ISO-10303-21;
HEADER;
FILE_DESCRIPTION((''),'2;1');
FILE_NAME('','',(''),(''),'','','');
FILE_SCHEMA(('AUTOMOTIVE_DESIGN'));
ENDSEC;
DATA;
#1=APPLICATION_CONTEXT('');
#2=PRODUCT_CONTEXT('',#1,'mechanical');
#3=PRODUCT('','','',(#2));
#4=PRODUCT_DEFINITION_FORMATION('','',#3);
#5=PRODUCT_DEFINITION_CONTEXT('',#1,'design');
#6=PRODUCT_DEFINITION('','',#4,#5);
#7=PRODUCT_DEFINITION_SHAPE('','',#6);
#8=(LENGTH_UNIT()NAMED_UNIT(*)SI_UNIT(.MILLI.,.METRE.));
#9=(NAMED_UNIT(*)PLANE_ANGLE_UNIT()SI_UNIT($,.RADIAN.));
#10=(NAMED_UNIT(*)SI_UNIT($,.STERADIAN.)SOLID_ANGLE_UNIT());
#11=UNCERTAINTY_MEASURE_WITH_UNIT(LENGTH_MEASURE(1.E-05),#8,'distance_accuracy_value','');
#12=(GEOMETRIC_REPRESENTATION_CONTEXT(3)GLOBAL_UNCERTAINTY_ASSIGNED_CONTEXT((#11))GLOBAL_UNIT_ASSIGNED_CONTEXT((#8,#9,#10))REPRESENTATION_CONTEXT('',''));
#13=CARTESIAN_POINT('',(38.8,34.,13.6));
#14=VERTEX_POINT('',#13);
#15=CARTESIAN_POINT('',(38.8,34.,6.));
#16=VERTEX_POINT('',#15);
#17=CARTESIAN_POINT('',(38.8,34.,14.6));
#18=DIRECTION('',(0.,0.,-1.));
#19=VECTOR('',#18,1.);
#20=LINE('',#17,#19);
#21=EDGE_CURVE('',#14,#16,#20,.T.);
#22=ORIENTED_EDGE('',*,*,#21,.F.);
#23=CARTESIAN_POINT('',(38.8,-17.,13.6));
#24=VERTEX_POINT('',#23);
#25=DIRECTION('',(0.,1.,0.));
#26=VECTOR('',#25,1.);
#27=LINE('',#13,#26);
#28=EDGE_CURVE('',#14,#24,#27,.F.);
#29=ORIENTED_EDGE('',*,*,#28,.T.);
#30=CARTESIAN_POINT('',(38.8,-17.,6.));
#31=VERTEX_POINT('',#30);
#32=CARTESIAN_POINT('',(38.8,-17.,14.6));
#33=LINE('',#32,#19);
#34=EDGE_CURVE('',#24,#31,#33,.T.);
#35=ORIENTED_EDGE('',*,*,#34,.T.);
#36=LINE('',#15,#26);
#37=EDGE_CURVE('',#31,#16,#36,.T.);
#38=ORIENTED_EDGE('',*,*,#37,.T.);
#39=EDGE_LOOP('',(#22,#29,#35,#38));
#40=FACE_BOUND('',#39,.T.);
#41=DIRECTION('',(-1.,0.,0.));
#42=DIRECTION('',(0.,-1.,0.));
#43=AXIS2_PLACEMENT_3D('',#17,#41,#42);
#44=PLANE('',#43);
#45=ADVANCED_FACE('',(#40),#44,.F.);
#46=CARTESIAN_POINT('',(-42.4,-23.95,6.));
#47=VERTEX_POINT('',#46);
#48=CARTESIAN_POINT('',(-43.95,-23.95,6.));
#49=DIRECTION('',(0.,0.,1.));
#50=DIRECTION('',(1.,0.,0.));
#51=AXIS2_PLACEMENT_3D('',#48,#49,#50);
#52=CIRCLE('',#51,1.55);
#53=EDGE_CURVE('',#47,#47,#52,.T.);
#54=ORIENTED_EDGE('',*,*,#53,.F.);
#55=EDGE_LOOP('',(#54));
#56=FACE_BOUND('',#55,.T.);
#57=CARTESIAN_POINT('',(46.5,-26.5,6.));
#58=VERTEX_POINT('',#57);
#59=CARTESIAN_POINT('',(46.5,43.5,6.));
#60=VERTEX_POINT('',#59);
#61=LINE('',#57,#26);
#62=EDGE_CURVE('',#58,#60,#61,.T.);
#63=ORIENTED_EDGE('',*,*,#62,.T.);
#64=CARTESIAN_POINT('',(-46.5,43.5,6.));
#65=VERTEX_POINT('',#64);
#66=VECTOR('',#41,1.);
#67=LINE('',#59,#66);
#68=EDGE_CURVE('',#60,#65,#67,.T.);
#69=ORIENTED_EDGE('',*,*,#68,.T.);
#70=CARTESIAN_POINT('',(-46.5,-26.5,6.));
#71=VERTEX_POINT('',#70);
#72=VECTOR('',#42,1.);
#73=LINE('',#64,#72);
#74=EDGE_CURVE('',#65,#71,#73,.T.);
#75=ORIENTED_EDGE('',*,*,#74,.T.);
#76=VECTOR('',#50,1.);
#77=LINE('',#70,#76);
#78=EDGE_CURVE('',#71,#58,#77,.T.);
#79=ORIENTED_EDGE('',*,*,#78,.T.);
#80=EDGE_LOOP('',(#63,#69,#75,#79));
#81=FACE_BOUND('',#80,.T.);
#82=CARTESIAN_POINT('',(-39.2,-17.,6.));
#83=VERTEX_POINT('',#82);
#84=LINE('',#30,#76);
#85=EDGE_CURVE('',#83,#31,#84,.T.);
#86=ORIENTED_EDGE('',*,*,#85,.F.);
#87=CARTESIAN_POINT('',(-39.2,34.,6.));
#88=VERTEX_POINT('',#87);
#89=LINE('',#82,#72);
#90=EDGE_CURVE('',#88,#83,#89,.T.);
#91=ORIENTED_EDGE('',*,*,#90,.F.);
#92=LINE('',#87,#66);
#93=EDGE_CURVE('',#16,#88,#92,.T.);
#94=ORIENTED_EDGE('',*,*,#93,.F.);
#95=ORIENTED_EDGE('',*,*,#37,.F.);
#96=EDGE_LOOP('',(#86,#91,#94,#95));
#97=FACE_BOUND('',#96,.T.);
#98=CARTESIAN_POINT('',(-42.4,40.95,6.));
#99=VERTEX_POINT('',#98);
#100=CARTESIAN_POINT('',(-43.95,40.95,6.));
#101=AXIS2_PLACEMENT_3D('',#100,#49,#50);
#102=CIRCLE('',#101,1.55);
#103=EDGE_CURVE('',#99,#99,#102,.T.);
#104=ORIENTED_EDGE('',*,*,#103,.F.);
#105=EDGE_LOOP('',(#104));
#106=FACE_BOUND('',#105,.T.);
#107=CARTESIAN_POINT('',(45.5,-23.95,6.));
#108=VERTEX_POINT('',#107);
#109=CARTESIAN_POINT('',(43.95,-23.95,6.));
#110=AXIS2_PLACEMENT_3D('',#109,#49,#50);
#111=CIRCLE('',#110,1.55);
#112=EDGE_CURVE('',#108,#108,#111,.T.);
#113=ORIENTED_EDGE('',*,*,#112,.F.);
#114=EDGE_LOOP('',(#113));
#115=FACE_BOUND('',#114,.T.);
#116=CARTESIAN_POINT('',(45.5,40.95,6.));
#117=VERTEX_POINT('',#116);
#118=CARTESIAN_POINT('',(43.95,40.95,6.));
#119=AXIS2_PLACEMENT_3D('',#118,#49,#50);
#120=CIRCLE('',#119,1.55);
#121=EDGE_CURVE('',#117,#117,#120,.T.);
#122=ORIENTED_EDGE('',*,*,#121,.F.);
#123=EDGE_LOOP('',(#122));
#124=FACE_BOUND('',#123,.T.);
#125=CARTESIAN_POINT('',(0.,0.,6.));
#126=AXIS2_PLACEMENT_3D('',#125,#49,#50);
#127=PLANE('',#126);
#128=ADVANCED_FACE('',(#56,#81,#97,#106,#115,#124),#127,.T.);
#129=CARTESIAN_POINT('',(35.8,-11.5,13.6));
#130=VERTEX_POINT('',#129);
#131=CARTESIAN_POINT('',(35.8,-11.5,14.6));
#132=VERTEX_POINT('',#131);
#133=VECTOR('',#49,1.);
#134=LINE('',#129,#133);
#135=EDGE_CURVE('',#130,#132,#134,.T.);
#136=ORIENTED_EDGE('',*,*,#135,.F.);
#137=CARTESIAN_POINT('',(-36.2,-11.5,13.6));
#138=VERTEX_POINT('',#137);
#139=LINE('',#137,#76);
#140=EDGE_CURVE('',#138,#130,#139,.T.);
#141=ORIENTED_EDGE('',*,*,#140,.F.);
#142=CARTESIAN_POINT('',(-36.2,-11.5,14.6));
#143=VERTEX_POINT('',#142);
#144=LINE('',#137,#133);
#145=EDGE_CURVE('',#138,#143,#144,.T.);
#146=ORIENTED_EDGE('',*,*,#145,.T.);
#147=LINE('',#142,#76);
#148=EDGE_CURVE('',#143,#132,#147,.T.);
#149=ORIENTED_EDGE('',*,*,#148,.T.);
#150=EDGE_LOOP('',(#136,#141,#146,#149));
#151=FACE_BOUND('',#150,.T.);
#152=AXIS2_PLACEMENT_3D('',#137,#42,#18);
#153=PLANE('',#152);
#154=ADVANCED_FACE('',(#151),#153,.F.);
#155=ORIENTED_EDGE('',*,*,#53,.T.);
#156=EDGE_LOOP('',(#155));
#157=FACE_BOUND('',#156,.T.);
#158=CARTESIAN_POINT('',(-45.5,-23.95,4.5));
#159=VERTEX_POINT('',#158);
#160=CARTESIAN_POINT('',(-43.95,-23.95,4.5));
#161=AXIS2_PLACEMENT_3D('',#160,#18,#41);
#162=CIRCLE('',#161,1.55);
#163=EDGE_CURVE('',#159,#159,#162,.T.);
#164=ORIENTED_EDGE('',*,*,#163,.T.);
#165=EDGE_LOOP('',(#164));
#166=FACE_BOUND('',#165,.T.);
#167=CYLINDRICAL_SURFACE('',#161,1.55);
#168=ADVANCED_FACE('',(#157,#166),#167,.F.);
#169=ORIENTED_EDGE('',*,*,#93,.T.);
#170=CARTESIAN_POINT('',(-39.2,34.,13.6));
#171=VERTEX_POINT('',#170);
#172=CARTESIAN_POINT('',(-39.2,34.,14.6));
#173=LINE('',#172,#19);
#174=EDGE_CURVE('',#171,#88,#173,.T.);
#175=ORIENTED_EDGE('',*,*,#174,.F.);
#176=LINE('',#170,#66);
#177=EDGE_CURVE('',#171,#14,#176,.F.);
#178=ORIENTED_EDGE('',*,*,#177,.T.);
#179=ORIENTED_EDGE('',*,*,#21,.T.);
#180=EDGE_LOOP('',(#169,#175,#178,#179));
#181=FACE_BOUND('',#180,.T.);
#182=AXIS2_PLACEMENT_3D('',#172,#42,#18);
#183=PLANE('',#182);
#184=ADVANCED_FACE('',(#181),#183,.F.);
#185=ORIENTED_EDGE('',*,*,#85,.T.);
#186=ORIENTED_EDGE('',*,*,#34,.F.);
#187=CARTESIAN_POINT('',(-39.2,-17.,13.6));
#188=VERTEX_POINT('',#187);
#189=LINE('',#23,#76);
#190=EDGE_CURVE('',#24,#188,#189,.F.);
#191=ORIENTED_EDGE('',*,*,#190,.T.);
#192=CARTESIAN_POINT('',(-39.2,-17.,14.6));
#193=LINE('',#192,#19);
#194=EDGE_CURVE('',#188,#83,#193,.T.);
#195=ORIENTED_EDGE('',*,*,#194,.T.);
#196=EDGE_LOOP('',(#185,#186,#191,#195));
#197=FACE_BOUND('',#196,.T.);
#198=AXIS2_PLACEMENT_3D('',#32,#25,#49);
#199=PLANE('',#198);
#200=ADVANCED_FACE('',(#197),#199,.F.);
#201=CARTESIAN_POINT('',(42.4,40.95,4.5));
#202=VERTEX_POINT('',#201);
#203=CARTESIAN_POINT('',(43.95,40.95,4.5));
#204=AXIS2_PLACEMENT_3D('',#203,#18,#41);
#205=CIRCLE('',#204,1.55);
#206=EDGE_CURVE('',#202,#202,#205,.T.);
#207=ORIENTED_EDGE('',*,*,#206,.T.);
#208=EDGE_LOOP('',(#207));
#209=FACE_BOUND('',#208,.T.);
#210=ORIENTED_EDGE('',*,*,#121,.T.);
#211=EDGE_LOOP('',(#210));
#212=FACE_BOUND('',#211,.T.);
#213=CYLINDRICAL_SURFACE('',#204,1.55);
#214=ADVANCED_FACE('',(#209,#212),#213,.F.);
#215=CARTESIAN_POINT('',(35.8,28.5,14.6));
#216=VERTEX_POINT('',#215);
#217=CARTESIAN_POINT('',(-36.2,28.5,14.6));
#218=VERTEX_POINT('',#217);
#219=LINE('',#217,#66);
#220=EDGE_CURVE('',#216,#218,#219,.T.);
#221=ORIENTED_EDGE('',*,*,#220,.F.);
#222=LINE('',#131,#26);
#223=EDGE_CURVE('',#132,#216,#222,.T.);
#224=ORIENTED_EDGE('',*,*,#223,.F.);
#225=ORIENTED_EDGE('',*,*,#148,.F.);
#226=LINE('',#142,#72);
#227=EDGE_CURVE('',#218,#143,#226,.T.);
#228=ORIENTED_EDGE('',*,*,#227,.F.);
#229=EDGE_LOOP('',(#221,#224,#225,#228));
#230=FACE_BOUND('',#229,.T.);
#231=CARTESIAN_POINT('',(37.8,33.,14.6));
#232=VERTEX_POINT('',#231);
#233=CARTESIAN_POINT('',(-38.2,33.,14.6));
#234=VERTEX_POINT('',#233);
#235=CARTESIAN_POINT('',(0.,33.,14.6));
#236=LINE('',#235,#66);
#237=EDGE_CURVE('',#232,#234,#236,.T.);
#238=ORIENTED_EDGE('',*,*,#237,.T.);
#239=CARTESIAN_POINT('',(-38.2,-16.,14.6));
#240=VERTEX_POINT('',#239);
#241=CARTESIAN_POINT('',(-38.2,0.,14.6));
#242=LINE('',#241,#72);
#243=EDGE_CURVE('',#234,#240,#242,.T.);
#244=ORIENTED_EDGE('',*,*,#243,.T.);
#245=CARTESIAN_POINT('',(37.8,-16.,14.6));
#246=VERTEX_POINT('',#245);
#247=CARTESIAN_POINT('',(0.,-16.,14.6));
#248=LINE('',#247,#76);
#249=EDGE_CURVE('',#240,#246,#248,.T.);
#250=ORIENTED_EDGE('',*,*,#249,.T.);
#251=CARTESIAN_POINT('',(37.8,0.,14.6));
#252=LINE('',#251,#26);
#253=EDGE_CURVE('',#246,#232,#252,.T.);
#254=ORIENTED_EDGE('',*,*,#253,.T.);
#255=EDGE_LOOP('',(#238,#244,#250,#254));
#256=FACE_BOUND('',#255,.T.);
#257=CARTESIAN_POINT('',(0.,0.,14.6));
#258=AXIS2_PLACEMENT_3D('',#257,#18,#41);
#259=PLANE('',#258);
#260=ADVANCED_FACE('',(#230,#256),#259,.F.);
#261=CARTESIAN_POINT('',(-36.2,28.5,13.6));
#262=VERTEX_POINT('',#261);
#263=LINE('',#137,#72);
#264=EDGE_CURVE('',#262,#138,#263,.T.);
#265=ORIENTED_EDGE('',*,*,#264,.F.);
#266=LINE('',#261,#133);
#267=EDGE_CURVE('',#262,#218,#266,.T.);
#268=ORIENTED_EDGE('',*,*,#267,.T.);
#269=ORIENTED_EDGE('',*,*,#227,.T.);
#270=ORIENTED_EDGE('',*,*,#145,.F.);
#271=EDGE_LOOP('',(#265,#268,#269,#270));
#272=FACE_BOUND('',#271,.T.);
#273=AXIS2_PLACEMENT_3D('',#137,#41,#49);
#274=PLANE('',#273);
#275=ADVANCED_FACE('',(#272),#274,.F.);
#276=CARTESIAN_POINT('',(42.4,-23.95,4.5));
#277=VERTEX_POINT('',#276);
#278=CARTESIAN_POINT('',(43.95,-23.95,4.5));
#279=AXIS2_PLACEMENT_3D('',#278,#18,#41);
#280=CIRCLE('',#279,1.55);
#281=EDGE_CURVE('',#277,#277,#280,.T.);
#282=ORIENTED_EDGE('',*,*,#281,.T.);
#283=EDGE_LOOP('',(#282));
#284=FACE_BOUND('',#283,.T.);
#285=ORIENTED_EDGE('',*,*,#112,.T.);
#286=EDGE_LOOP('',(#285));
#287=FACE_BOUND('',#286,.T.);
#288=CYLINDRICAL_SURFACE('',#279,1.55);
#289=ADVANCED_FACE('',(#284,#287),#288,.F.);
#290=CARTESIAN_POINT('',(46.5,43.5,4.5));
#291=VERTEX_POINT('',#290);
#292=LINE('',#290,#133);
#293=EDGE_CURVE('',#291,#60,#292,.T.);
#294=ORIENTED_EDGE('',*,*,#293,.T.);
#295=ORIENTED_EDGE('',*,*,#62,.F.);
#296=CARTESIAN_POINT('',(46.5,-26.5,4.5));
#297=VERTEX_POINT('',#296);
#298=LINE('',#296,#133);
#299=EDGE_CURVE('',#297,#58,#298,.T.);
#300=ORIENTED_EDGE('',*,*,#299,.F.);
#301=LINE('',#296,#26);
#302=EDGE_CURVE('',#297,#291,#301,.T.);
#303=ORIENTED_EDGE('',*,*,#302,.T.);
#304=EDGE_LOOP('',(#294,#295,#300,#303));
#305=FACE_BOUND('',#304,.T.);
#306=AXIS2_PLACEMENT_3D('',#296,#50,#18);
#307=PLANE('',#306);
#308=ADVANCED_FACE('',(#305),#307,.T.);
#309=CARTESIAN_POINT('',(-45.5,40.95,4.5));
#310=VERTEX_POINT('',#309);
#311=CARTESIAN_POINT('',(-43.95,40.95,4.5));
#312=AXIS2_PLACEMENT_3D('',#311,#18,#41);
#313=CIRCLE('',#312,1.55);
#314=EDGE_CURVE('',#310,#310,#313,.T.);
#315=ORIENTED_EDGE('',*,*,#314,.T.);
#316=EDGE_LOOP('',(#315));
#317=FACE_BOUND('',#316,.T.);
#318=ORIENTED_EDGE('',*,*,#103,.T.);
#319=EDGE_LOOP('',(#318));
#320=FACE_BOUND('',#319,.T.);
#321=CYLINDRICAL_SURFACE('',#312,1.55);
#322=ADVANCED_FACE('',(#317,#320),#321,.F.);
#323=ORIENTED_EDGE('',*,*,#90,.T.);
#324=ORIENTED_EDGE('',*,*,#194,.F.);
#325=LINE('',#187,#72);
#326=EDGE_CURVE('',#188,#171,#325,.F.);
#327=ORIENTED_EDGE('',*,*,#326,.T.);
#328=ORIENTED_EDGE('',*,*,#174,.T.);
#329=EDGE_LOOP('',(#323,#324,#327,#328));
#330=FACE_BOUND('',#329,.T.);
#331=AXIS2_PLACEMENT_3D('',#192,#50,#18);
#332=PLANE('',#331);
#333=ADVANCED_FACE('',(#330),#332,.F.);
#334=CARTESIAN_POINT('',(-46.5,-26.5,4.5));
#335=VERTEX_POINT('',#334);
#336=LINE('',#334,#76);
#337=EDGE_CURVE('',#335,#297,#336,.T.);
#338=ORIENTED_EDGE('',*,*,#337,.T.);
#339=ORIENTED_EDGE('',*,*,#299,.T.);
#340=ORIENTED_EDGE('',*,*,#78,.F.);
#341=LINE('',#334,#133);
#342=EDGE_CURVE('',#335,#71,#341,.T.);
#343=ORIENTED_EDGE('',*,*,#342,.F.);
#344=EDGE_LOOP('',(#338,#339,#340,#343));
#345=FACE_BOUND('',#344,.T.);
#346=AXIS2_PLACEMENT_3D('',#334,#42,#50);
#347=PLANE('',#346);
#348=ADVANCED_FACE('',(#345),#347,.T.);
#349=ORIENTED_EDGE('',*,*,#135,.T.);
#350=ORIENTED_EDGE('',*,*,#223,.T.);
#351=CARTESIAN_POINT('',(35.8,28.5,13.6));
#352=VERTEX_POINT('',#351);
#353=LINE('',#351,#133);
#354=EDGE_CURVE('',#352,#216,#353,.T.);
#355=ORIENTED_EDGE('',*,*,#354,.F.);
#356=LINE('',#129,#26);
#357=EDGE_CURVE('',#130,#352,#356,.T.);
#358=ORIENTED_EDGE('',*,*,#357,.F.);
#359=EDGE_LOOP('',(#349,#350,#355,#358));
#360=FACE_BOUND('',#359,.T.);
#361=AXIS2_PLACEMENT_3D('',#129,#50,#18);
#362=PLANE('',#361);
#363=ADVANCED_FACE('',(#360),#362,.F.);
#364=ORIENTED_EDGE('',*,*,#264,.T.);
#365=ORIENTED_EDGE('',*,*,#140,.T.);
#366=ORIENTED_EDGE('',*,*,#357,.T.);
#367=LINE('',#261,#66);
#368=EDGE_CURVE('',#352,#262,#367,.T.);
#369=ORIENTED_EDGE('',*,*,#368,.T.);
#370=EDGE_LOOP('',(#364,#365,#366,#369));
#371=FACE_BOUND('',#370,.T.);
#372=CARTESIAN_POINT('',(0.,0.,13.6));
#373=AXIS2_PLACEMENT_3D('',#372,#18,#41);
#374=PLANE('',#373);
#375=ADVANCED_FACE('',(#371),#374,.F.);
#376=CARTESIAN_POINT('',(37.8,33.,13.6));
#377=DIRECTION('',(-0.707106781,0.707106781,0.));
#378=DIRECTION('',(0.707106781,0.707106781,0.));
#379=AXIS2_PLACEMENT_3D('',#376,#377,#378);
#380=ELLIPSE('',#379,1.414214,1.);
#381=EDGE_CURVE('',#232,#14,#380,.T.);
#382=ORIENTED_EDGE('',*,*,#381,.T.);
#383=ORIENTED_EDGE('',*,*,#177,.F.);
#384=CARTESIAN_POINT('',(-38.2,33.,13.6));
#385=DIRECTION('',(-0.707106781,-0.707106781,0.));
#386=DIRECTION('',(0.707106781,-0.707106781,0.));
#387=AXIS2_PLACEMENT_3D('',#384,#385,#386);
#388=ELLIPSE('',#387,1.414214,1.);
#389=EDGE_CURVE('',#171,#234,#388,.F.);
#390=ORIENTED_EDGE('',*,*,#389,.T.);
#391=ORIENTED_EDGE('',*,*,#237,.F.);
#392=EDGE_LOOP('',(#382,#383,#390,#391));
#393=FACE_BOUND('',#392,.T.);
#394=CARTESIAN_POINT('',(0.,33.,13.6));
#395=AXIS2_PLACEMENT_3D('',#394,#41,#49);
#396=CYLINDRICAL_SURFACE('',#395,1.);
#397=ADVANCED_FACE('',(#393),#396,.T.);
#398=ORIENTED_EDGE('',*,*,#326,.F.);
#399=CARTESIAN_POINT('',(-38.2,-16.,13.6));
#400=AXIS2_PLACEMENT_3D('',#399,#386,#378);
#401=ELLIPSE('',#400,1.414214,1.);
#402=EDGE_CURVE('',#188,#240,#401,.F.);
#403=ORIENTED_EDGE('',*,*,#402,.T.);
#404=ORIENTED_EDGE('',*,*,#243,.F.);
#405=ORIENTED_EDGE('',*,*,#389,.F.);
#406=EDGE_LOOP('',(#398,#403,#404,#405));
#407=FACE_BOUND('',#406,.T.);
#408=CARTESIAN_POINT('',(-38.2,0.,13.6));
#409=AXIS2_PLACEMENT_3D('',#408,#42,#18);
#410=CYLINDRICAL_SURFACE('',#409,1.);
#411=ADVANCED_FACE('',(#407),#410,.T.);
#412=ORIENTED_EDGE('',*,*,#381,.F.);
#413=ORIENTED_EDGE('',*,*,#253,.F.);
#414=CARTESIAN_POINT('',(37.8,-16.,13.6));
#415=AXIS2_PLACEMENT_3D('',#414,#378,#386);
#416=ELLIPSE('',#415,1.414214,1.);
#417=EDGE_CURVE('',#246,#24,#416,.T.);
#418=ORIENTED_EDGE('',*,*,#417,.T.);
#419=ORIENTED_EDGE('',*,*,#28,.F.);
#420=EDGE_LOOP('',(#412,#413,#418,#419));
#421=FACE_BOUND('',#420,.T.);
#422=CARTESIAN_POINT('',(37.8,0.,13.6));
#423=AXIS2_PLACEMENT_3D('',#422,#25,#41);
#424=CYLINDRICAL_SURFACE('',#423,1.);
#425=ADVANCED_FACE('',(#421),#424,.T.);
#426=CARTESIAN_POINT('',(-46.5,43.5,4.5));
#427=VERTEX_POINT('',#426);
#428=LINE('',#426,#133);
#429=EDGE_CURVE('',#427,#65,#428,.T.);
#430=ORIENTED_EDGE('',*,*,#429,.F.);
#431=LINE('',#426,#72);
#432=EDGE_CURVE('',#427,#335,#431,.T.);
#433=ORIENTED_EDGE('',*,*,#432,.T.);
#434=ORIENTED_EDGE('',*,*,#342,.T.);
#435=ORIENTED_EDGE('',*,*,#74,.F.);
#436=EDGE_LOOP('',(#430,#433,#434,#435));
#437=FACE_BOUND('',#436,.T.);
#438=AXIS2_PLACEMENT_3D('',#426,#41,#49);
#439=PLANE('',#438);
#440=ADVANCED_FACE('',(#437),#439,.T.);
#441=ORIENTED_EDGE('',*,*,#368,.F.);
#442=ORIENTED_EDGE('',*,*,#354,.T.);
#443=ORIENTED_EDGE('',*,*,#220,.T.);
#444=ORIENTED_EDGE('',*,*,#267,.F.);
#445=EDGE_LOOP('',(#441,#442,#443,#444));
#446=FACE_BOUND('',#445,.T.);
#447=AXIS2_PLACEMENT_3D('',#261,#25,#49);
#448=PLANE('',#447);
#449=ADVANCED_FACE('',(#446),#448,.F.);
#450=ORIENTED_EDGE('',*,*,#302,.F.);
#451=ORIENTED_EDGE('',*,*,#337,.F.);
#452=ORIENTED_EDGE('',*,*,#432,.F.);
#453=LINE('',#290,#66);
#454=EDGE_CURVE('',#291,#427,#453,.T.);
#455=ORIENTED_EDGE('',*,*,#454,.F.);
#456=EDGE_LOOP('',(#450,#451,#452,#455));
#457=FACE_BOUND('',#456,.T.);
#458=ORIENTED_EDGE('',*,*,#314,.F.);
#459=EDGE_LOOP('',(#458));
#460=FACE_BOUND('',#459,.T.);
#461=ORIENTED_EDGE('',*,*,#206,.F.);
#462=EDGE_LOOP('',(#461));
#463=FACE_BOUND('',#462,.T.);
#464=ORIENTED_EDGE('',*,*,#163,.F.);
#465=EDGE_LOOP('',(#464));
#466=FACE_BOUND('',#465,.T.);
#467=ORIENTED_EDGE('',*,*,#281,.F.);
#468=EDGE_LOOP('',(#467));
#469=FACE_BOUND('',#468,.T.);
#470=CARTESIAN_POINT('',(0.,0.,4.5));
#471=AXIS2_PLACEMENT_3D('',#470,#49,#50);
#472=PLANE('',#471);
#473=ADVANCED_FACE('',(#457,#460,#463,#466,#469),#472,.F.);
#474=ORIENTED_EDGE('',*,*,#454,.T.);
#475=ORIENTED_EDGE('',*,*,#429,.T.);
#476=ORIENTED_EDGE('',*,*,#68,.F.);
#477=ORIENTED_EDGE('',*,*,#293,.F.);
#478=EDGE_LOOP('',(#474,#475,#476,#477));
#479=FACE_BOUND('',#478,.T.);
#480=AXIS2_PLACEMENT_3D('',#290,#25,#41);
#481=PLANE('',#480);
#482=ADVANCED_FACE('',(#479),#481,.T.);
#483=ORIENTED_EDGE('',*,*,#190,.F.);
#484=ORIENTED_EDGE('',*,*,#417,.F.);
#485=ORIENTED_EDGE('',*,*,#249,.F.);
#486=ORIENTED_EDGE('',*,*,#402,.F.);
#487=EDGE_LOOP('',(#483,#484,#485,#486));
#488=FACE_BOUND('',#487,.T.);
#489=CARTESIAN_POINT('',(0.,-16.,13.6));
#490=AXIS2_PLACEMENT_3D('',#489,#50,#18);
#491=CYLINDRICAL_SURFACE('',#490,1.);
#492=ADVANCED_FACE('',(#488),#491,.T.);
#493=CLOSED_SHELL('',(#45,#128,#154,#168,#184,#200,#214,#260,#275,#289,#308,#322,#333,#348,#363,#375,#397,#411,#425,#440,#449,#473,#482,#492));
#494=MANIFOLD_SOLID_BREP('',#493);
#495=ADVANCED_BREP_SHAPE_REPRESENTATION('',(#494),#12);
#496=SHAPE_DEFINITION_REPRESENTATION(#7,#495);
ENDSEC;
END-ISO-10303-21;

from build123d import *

# Parameters (mm, degrees)
CROQUIS1_W                          = 93
CROQUIS1_H                          = 70
SALIENTE_EXTRUIR1_DEPTH             = 1.5
CROQUIS2_W                          = 78
CROQUIS2_H                          = 51
SALIENTE_EXTRUIR2_DEPTH             = 8.6
DI_METRO_DE_TALADRO_3_1_3_1_1_D     = 3.1
DI_METRO_DE_TALADRO_3_1_3_1_1_DEPTH = 10.1
REDONDEO1_R                         = 1
CROQUIS5_W                          = 72
CROQUIS5_H                          = 40
CORTAR_EXTRUIR1_DEPTH               = 1


with BuildPart() as part:
    # Croquis1 → Saliente-Extruir1 (new body)
    with BuildSketch(Plane.XY.offset(6)):
        with Locations((0, 8.5)):
            Rectangle(CROQUIS1_W, CROQUIS1_H)
    extrude(amount=-SALIENTE_EXTRUIR1_DEPTH)

    # Croquis2 → Saliente-Extruir2 (add)
    with BuildSketch(Plane.XY.offset(6)):
        with Locations((-0.2, 8.5)):
            Rectangle(CROQUIS2_W, CROQUIS2_H)
    extrude(amount=SALIENTE_EXTRUIR2_DEPTH)

    # Diámetro de taladro Ø3.1 (3.1)1
    with Locations(Plane(origin=(0, 0, 4.5), x_dir=(-1, 0, 0), z_dir=(0, 0, -1))):
        with Locations((43.95, -23.95), (-43.95, -23.95), (43.95, 40.95), (-43.95, 40.95)):
            Hole(DI_METRO_DE_TALADRO_3_1_3_1_1_D / 2, depth=DI_METRO_DE_TALADRO_3_1_3_1_1_DEPTH)

    # Redondeo1
    redondeo1_edges = [part.edges().sort_by_distance(p)[0] for p in [
        (-0.2, -17, 14.6),
        (38.8, 8.5, 14.6),
        (-0.2, 34, 14.6),
        (-39.2, 8.5, 14.6),
    ]]
    fillet(redondeo1_edges, radius=REDONDEO1_R)

    # Croquis5 → Cortar-Extruir1 (cut)
    with BuildSketch(Plane.XY.offset(14.6)):
        with Locations((-0.2, 8.5)):
            Rectangle(CROQUIS5_W, CROQUIS5_H)
    extrude(amount=-CORTAR_EXTRUIR1_DEPTH, mode=Mode.SUBTRACT)


solid = part.part
